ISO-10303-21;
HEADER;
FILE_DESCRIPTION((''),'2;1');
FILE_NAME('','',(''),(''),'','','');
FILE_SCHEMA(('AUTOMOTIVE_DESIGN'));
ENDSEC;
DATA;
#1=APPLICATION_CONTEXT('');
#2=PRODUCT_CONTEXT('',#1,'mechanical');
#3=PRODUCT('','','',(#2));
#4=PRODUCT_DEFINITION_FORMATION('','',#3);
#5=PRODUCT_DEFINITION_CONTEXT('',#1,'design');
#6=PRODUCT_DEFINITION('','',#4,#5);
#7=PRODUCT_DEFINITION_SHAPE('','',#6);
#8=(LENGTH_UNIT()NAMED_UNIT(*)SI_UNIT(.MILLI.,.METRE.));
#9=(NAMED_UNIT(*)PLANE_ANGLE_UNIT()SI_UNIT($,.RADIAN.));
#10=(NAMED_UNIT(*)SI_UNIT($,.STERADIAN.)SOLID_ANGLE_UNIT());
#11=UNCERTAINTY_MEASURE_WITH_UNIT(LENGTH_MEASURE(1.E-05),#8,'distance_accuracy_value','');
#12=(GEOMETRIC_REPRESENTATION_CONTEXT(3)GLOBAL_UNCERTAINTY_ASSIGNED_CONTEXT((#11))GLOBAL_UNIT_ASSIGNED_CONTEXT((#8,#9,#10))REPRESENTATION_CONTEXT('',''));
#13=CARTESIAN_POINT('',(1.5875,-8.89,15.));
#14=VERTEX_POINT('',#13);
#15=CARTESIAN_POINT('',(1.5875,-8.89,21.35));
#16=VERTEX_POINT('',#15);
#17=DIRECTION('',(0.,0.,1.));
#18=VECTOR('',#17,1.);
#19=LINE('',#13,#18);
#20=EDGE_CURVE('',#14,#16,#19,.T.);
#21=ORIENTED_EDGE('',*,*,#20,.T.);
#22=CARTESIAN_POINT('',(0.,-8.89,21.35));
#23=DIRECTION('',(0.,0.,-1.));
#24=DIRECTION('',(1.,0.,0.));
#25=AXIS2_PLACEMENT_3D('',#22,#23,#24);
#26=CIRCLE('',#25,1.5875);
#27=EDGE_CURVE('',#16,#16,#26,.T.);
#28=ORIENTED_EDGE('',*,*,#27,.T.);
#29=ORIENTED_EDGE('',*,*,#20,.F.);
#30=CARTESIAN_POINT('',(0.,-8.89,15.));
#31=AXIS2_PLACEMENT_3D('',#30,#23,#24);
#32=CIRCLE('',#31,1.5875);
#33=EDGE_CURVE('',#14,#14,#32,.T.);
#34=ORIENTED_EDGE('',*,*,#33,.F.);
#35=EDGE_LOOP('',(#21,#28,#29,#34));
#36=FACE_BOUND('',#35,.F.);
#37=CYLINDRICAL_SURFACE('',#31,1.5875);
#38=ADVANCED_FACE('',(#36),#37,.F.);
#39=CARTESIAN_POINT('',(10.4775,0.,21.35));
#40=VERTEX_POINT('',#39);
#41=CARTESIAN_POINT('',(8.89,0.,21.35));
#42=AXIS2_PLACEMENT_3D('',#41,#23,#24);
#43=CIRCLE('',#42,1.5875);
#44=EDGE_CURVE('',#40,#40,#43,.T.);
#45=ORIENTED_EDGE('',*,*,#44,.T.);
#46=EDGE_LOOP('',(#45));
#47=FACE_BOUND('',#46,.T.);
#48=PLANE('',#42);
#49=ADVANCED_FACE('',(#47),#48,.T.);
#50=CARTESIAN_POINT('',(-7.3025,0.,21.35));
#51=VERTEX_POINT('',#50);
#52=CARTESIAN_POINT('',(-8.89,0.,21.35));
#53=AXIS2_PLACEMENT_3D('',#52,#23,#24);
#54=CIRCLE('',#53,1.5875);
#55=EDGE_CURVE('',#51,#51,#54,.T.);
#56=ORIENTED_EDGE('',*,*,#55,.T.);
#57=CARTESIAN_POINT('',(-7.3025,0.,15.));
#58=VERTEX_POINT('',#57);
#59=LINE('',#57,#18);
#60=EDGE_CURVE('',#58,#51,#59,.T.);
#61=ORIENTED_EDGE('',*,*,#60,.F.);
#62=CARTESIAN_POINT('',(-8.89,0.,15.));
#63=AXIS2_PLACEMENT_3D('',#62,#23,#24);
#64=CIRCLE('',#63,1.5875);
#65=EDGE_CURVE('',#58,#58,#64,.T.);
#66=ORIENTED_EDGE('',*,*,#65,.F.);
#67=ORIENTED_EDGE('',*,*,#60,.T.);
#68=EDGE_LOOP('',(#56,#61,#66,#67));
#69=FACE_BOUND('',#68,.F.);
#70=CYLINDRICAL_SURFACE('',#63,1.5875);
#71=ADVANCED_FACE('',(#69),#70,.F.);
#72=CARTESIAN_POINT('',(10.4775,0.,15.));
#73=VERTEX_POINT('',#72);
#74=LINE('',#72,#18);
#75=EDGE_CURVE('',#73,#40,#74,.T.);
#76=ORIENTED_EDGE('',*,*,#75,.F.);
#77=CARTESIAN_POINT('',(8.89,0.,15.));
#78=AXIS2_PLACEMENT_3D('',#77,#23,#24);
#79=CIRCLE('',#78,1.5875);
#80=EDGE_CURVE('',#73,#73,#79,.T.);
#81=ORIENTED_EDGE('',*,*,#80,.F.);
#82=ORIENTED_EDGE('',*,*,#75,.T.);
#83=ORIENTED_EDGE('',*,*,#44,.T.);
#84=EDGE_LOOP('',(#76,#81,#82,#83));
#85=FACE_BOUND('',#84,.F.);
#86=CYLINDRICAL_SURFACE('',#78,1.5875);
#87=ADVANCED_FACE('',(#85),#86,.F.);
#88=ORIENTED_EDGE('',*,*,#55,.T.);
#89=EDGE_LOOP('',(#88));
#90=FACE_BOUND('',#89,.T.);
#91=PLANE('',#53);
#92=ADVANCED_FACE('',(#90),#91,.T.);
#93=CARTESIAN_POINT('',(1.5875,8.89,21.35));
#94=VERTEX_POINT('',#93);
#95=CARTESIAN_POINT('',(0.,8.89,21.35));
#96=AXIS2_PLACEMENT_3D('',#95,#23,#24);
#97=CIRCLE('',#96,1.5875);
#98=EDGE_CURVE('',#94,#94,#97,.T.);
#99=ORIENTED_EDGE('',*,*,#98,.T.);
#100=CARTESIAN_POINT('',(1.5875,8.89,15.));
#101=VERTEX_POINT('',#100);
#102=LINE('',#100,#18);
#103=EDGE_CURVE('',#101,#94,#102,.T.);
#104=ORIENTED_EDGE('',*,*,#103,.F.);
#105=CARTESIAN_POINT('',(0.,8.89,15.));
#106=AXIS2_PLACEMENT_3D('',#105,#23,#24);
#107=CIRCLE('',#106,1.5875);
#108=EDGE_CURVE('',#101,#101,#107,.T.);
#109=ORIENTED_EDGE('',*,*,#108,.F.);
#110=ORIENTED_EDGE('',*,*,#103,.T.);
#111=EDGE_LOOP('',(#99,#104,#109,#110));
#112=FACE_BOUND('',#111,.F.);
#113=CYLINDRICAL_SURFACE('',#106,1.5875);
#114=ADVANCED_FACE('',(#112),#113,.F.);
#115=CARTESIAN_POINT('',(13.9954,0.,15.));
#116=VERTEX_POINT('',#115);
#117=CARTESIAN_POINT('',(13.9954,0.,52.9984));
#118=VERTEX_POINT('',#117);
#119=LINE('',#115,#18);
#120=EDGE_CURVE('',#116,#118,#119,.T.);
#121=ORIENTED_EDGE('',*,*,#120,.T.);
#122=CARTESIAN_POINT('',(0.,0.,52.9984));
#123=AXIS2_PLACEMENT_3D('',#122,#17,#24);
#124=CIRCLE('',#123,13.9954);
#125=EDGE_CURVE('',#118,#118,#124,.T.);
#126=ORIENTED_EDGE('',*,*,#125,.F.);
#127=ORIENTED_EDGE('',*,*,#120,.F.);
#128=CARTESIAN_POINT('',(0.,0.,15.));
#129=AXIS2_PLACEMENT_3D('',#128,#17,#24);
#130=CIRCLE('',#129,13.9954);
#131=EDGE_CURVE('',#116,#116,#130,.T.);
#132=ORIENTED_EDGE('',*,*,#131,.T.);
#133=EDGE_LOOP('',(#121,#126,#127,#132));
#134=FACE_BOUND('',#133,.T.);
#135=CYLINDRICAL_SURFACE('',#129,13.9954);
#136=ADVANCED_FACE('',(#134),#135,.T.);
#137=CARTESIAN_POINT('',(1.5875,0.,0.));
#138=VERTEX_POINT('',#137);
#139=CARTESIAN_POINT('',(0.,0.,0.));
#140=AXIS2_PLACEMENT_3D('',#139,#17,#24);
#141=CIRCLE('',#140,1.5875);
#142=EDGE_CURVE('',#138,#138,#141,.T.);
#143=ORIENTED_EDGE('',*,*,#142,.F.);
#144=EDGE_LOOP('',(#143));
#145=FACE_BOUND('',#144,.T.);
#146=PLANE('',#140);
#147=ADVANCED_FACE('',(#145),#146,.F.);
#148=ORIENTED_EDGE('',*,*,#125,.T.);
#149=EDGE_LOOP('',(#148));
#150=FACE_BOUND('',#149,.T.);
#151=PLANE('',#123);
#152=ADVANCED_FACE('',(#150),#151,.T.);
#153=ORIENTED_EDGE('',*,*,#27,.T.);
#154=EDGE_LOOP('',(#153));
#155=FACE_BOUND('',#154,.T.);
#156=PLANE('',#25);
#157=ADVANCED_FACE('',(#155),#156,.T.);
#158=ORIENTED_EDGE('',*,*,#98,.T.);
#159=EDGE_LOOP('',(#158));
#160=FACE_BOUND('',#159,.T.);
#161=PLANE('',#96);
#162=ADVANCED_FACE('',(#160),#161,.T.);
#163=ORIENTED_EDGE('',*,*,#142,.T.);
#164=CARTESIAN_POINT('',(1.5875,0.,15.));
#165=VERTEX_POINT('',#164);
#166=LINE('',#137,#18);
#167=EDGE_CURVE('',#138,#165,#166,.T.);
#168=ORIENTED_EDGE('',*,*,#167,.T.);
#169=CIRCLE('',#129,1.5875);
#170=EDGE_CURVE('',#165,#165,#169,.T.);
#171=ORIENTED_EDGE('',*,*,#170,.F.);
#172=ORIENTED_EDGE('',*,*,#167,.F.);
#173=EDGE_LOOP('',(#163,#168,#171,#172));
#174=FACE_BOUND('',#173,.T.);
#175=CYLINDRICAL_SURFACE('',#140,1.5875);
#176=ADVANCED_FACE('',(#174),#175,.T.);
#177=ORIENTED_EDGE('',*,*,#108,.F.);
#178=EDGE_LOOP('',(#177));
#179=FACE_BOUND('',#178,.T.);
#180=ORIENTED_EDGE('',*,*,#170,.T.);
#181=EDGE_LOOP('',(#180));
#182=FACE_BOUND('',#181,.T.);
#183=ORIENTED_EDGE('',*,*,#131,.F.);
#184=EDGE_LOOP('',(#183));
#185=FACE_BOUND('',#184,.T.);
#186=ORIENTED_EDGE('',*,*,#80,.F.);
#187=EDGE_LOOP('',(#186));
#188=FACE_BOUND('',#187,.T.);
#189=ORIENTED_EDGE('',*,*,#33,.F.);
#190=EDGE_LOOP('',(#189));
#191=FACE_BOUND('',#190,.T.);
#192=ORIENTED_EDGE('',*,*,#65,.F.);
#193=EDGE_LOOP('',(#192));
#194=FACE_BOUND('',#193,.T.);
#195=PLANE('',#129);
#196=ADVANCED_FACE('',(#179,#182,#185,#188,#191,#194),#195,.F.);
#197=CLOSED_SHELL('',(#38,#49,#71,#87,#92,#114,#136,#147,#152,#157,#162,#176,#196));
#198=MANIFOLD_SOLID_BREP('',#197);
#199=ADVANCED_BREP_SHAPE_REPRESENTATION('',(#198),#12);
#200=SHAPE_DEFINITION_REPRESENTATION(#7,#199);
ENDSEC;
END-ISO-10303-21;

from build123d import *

# Parameters (mm, degrees)
F2_R     = 1.5875
F3_DEPTH = 6.35


with BuildPart() as f1:
    # F0 (on Front) → F1 (revolve)
    with BuildSketch(Plane.XZ):
        Polygon((0, 52.9984), (0, 0), (1.5875, 0), (1.5875, 15), (13.9954, 15), (13.9954, 52.9984), align=None)
    revolve(axis=Axis((0, 0, 34.635175), (0, 0, 1)))

    # F2 (on face) → F3 (cut)
    with BuildSketch(Plane(origin=(0, 0, 15), x_dir=(1, 0, 0), z_dir=(0, 0, -1))):
        with Locations((8.89, 0)):
            Circle(F2_R)
        with Locations((0, 8.89)):
            Circle(F2_R)
        with Locations((0, -8.89)):
            Circle(F2_R)
        with Locations((-8.89, 0)):
            Circle(F2_R)
    extrude(amount=-F3_DEPTH, mode=Mode.SUBTRACT)


solid = f1.part
